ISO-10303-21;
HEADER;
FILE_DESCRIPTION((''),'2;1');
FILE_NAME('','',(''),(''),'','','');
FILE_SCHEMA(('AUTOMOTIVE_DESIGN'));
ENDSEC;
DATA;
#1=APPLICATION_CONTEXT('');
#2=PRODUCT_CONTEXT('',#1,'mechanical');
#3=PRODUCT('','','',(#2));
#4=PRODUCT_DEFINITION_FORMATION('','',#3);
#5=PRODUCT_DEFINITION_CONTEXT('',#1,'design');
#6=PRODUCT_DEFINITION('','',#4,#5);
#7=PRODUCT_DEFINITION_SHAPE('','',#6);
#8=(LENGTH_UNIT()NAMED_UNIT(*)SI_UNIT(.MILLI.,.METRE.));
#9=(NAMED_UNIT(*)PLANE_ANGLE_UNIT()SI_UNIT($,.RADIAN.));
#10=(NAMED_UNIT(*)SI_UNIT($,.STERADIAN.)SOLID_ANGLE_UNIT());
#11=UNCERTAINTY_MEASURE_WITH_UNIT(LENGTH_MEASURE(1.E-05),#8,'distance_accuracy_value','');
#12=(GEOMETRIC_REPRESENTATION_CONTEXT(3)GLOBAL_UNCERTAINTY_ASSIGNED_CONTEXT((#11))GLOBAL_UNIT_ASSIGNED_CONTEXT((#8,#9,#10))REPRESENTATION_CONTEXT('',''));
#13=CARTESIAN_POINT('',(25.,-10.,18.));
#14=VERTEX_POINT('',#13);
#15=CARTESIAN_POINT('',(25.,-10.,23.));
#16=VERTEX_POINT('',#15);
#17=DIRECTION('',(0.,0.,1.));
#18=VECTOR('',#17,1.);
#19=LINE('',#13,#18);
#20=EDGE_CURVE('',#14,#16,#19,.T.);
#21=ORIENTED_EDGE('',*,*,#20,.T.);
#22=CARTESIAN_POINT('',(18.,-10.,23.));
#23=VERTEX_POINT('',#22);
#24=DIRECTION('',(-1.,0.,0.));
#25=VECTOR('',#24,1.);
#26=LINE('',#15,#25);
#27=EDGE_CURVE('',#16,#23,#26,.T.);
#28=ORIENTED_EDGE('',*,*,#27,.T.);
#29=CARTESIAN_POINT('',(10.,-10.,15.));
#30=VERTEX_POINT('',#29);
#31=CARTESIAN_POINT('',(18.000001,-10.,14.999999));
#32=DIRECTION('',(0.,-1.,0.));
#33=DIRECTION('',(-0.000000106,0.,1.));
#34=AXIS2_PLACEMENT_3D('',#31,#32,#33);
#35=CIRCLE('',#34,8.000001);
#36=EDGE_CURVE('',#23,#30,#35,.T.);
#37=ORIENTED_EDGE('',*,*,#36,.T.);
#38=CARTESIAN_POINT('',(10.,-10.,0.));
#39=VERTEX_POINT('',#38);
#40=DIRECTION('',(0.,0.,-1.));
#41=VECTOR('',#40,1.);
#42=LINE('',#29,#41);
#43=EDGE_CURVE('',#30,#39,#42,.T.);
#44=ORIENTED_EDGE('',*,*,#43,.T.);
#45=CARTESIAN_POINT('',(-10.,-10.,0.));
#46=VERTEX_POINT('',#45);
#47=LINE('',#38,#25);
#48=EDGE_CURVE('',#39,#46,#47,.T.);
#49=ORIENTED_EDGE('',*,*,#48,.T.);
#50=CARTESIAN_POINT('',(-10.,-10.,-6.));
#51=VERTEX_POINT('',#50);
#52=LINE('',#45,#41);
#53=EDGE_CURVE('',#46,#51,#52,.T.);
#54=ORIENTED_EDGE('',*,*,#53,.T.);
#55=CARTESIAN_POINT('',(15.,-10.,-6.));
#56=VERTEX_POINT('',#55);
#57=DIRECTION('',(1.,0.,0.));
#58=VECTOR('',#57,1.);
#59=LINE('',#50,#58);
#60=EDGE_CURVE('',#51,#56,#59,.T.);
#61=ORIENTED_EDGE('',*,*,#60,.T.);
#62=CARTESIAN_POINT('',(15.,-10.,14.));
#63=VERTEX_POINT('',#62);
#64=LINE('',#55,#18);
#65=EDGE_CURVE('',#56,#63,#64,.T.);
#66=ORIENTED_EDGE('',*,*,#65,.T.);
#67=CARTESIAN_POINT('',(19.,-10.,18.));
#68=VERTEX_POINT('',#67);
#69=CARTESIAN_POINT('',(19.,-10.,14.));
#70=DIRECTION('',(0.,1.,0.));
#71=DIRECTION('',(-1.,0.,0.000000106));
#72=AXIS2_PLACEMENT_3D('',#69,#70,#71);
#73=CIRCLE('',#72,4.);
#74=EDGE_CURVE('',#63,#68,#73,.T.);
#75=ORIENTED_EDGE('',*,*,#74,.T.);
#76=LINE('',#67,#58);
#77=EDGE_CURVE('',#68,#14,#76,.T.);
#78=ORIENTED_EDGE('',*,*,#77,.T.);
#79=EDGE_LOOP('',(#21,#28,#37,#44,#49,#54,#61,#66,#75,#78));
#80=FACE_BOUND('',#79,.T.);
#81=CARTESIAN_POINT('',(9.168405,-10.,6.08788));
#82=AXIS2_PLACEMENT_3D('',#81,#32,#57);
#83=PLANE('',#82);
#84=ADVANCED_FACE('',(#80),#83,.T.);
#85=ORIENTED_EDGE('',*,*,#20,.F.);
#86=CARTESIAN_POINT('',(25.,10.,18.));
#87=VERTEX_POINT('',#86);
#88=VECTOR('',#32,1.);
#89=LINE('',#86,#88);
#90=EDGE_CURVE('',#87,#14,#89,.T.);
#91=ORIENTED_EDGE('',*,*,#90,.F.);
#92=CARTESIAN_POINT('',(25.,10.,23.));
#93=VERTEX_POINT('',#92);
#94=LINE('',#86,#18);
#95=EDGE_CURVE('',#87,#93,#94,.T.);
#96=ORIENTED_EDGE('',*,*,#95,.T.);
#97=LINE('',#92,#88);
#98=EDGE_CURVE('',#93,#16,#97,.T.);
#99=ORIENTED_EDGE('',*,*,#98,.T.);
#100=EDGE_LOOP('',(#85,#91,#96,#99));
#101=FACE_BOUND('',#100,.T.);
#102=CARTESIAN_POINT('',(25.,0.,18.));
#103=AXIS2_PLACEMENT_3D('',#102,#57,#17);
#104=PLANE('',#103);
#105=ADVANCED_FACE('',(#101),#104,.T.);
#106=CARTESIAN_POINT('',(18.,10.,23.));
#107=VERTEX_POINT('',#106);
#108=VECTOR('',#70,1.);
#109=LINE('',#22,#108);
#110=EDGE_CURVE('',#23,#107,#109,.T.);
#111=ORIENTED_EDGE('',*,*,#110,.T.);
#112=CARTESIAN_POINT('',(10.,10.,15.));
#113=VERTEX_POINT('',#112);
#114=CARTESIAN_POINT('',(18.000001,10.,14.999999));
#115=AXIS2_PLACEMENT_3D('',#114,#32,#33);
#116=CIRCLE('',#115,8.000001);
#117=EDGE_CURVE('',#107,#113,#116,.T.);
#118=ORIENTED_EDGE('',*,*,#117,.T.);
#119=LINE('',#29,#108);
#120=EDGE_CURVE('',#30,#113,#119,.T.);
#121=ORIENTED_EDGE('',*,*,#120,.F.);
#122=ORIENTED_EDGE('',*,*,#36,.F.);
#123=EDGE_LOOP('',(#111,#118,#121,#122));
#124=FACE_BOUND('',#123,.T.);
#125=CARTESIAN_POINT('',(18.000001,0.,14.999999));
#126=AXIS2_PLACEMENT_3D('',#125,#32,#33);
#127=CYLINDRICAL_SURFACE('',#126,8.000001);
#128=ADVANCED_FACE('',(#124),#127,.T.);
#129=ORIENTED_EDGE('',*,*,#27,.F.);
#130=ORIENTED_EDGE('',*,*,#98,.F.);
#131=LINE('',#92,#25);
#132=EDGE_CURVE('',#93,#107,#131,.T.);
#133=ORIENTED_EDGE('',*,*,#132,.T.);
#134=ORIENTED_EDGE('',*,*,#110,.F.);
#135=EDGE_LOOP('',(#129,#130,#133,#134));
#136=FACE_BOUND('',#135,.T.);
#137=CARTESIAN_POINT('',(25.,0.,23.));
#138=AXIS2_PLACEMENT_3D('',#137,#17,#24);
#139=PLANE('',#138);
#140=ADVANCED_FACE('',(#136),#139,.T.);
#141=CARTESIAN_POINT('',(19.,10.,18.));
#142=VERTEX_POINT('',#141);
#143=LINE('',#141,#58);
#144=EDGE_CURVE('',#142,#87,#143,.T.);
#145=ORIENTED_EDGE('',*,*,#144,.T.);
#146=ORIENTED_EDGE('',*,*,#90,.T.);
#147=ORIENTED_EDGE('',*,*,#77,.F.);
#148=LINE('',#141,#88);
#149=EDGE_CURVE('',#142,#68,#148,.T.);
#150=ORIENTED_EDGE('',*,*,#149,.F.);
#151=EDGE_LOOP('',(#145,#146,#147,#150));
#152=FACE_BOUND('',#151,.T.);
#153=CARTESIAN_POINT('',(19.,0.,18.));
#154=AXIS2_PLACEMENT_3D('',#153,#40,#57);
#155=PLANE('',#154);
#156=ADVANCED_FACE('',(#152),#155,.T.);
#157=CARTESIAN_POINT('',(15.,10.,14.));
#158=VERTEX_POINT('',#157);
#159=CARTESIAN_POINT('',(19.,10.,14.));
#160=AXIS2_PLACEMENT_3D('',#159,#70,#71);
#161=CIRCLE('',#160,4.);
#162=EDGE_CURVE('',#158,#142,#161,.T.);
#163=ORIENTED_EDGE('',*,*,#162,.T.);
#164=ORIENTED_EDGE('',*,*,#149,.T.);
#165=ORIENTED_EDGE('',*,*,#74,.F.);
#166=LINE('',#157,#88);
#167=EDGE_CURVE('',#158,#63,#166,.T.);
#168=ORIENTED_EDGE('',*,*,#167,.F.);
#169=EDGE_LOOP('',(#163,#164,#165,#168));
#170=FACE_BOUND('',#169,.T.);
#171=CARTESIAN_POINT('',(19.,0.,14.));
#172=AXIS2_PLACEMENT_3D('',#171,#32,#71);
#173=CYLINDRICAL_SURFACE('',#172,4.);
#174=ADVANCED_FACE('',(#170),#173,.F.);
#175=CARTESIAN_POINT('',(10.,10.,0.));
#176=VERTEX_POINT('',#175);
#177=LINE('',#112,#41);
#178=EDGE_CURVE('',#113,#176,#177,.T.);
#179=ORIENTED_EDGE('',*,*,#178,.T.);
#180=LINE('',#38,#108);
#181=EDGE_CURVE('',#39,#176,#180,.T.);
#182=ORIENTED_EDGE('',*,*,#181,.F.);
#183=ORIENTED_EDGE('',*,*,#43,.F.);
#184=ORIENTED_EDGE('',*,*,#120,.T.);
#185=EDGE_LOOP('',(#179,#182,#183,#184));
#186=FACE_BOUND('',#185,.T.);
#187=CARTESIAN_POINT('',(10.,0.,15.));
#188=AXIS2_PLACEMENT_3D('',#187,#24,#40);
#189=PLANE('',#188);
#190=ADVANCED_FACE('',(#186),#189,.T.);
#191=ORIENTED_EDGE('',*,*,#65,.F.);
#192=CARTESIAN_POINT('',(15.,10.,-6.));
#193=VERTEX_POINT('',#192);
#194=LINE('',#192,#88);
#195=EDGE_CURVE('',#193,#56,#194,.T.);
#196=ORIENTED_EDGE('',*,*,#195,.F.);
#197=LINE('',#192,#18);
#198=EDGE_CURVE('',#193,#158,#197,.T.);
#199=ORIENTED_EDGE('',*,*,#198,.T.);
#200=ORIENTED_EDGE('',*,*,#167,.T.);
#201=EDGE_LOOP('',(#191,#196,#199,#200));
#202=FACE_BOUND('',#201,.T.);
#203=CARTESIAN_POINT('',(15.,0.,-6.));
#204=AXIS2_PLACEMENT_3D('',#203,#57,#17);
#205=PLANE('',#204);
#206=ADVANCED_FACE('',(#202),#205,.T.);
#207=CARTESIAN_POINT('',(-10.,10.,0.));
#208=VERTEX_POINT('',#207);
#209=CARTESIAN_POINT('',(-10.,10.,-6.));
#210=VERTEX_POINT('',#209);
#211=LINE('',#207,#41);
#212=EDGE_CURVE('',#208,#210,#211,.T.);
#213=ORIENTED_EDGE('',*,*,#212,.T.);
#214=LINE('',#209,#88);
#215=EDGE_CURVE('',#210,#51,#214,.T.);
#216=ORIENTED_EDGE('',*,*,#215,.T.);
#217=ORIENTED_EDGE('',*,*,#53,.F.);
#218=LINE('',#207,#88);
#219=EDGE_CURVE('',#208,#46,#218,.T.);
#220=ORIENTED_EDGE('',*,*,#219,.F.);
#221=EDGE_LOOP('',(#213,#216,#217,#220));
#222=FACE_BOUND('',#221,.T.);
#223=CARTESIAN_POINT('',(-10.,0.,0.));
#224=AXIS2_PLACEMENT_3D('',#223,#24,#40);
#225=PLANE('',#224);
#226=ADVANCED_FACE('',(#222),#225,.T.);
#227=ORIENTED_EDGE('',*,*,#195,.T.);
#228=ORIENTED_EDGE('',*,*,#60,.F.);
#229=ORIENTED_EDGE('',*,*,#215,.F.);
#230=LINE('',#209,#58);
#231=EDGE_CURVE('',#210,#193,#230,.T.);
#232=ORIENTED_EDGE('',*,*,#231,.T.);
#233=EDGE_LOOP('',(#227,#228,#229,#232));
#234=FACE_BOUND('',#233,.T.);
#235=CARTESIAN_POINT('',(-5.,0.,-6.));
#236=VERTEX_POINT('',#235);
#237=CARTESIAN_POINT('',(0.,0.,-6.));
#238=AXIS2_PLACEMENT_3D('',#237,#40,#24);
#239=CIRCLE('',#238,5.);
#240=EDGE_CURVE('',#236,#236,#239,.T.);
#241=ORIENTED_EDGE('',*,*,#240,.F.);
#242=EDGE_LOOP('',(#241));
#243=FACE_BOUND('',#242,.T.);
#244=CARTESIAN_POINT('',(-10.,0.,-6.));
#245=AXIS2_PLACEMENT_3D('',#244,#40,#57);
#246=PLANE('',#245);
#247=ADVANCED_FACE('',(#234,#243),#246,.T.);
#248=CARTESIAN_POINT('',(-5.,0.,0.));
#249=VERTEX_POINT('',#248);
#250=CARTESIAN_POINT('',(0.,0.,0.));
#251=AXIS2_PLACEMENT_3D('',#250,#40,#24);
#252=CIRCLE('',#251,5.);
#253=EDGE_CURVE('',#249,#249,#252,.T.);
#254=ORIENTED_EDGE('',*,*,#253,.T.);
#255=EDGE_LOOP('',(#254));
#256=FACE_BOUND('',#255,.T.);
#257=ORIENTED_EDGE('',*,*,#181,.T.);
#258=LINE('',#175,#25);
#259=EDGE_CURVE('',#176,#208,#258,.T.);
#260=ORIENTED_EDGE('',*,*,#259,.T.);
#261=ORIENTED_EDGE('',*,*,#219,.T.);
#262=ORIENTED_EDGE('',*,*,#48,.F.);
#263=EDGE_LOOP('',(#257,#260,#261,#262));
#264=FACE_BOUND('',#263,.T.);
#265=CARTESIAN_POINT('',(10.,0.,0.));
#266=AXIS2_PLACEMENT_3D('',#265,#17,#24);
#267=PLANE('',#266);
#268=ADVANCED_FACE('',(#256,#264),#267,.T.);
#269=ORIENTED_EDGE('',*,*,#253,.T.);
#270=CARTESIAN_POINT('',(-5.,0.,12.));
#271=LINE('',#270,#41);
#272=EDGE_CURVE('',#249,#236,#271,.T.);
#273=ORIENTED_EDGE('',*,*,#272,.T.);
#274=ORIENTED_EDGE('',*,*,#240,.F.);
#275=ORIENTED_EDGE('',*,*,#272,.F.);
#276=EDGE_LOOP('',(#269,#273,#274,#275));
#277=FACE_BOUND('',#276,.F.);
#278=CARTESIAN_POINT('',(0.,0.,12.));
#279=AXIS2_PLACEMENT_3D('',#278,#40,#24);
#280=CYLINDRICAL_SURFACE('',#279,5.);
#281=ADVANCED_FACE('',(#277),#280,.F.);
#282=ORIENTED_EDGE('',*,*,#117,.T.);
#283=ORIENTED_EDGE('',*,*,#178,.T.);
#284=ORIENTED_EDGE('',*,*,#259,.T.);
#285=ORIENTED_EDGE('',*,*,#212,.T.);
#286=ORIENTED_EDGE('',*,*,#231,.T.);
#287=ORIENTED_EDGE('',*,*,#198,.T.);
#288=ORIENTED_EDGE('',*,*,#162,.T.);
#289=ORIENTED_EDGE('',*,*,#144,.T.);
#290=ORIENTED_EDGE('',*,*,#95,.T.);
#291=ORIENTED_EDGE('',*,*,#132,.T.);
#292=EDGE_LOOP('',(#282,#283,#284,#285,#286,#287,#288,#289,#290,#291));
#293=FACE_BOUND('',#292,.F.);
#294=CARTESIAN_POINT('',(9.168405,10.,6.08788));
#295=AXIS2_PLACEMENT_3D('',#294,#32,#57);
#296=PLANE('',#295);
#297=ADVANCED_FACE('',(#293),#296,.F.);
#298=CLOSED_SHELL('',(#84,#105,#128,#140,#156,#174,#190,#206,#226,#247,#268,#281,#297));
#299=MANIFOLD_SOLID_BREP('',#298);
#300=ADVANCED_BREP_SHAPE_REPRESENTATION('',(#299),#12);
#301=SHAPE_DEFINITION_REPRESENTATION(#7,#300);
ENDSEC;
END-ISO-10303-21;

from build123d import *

# Parameters (mm, degrees)
F1_DEPTH = 10
F3_D     = 10
F3_DEPTH = 12


with BuildPart() as f1:
    # F0 (on Front) → F1 (new body, symmetric)
    with BuildSketch(Plane.XZ):
        with BuildLine():
            Line((10, 0), (-10, 0))
            Line((-10, 0), (-10, -6))
            Line((-10, -6), (15, -6))
            Line((15, -6), (15, 14))
            ThreePointArc((15, 14), (16.171573, 16.828427), (19, 18))
            Line((19, 18), (25, 18))
            Line((25, 18), (25, 23))
            Line((25, 23), (18, 23))
            ThreePointArc((18, 23), (12.343146, 20.656854), (10, 15))
            Line((10, 15), (10, 0))
        make_face()
    extrude(amount=F1_DEPTH, both=True)

    # F3
    with Locations(Plane.XY):
        with Locations((0, 0)):
            Hole(F3_D / 2, depth=F3_DEPTH)


solid = f1.part
